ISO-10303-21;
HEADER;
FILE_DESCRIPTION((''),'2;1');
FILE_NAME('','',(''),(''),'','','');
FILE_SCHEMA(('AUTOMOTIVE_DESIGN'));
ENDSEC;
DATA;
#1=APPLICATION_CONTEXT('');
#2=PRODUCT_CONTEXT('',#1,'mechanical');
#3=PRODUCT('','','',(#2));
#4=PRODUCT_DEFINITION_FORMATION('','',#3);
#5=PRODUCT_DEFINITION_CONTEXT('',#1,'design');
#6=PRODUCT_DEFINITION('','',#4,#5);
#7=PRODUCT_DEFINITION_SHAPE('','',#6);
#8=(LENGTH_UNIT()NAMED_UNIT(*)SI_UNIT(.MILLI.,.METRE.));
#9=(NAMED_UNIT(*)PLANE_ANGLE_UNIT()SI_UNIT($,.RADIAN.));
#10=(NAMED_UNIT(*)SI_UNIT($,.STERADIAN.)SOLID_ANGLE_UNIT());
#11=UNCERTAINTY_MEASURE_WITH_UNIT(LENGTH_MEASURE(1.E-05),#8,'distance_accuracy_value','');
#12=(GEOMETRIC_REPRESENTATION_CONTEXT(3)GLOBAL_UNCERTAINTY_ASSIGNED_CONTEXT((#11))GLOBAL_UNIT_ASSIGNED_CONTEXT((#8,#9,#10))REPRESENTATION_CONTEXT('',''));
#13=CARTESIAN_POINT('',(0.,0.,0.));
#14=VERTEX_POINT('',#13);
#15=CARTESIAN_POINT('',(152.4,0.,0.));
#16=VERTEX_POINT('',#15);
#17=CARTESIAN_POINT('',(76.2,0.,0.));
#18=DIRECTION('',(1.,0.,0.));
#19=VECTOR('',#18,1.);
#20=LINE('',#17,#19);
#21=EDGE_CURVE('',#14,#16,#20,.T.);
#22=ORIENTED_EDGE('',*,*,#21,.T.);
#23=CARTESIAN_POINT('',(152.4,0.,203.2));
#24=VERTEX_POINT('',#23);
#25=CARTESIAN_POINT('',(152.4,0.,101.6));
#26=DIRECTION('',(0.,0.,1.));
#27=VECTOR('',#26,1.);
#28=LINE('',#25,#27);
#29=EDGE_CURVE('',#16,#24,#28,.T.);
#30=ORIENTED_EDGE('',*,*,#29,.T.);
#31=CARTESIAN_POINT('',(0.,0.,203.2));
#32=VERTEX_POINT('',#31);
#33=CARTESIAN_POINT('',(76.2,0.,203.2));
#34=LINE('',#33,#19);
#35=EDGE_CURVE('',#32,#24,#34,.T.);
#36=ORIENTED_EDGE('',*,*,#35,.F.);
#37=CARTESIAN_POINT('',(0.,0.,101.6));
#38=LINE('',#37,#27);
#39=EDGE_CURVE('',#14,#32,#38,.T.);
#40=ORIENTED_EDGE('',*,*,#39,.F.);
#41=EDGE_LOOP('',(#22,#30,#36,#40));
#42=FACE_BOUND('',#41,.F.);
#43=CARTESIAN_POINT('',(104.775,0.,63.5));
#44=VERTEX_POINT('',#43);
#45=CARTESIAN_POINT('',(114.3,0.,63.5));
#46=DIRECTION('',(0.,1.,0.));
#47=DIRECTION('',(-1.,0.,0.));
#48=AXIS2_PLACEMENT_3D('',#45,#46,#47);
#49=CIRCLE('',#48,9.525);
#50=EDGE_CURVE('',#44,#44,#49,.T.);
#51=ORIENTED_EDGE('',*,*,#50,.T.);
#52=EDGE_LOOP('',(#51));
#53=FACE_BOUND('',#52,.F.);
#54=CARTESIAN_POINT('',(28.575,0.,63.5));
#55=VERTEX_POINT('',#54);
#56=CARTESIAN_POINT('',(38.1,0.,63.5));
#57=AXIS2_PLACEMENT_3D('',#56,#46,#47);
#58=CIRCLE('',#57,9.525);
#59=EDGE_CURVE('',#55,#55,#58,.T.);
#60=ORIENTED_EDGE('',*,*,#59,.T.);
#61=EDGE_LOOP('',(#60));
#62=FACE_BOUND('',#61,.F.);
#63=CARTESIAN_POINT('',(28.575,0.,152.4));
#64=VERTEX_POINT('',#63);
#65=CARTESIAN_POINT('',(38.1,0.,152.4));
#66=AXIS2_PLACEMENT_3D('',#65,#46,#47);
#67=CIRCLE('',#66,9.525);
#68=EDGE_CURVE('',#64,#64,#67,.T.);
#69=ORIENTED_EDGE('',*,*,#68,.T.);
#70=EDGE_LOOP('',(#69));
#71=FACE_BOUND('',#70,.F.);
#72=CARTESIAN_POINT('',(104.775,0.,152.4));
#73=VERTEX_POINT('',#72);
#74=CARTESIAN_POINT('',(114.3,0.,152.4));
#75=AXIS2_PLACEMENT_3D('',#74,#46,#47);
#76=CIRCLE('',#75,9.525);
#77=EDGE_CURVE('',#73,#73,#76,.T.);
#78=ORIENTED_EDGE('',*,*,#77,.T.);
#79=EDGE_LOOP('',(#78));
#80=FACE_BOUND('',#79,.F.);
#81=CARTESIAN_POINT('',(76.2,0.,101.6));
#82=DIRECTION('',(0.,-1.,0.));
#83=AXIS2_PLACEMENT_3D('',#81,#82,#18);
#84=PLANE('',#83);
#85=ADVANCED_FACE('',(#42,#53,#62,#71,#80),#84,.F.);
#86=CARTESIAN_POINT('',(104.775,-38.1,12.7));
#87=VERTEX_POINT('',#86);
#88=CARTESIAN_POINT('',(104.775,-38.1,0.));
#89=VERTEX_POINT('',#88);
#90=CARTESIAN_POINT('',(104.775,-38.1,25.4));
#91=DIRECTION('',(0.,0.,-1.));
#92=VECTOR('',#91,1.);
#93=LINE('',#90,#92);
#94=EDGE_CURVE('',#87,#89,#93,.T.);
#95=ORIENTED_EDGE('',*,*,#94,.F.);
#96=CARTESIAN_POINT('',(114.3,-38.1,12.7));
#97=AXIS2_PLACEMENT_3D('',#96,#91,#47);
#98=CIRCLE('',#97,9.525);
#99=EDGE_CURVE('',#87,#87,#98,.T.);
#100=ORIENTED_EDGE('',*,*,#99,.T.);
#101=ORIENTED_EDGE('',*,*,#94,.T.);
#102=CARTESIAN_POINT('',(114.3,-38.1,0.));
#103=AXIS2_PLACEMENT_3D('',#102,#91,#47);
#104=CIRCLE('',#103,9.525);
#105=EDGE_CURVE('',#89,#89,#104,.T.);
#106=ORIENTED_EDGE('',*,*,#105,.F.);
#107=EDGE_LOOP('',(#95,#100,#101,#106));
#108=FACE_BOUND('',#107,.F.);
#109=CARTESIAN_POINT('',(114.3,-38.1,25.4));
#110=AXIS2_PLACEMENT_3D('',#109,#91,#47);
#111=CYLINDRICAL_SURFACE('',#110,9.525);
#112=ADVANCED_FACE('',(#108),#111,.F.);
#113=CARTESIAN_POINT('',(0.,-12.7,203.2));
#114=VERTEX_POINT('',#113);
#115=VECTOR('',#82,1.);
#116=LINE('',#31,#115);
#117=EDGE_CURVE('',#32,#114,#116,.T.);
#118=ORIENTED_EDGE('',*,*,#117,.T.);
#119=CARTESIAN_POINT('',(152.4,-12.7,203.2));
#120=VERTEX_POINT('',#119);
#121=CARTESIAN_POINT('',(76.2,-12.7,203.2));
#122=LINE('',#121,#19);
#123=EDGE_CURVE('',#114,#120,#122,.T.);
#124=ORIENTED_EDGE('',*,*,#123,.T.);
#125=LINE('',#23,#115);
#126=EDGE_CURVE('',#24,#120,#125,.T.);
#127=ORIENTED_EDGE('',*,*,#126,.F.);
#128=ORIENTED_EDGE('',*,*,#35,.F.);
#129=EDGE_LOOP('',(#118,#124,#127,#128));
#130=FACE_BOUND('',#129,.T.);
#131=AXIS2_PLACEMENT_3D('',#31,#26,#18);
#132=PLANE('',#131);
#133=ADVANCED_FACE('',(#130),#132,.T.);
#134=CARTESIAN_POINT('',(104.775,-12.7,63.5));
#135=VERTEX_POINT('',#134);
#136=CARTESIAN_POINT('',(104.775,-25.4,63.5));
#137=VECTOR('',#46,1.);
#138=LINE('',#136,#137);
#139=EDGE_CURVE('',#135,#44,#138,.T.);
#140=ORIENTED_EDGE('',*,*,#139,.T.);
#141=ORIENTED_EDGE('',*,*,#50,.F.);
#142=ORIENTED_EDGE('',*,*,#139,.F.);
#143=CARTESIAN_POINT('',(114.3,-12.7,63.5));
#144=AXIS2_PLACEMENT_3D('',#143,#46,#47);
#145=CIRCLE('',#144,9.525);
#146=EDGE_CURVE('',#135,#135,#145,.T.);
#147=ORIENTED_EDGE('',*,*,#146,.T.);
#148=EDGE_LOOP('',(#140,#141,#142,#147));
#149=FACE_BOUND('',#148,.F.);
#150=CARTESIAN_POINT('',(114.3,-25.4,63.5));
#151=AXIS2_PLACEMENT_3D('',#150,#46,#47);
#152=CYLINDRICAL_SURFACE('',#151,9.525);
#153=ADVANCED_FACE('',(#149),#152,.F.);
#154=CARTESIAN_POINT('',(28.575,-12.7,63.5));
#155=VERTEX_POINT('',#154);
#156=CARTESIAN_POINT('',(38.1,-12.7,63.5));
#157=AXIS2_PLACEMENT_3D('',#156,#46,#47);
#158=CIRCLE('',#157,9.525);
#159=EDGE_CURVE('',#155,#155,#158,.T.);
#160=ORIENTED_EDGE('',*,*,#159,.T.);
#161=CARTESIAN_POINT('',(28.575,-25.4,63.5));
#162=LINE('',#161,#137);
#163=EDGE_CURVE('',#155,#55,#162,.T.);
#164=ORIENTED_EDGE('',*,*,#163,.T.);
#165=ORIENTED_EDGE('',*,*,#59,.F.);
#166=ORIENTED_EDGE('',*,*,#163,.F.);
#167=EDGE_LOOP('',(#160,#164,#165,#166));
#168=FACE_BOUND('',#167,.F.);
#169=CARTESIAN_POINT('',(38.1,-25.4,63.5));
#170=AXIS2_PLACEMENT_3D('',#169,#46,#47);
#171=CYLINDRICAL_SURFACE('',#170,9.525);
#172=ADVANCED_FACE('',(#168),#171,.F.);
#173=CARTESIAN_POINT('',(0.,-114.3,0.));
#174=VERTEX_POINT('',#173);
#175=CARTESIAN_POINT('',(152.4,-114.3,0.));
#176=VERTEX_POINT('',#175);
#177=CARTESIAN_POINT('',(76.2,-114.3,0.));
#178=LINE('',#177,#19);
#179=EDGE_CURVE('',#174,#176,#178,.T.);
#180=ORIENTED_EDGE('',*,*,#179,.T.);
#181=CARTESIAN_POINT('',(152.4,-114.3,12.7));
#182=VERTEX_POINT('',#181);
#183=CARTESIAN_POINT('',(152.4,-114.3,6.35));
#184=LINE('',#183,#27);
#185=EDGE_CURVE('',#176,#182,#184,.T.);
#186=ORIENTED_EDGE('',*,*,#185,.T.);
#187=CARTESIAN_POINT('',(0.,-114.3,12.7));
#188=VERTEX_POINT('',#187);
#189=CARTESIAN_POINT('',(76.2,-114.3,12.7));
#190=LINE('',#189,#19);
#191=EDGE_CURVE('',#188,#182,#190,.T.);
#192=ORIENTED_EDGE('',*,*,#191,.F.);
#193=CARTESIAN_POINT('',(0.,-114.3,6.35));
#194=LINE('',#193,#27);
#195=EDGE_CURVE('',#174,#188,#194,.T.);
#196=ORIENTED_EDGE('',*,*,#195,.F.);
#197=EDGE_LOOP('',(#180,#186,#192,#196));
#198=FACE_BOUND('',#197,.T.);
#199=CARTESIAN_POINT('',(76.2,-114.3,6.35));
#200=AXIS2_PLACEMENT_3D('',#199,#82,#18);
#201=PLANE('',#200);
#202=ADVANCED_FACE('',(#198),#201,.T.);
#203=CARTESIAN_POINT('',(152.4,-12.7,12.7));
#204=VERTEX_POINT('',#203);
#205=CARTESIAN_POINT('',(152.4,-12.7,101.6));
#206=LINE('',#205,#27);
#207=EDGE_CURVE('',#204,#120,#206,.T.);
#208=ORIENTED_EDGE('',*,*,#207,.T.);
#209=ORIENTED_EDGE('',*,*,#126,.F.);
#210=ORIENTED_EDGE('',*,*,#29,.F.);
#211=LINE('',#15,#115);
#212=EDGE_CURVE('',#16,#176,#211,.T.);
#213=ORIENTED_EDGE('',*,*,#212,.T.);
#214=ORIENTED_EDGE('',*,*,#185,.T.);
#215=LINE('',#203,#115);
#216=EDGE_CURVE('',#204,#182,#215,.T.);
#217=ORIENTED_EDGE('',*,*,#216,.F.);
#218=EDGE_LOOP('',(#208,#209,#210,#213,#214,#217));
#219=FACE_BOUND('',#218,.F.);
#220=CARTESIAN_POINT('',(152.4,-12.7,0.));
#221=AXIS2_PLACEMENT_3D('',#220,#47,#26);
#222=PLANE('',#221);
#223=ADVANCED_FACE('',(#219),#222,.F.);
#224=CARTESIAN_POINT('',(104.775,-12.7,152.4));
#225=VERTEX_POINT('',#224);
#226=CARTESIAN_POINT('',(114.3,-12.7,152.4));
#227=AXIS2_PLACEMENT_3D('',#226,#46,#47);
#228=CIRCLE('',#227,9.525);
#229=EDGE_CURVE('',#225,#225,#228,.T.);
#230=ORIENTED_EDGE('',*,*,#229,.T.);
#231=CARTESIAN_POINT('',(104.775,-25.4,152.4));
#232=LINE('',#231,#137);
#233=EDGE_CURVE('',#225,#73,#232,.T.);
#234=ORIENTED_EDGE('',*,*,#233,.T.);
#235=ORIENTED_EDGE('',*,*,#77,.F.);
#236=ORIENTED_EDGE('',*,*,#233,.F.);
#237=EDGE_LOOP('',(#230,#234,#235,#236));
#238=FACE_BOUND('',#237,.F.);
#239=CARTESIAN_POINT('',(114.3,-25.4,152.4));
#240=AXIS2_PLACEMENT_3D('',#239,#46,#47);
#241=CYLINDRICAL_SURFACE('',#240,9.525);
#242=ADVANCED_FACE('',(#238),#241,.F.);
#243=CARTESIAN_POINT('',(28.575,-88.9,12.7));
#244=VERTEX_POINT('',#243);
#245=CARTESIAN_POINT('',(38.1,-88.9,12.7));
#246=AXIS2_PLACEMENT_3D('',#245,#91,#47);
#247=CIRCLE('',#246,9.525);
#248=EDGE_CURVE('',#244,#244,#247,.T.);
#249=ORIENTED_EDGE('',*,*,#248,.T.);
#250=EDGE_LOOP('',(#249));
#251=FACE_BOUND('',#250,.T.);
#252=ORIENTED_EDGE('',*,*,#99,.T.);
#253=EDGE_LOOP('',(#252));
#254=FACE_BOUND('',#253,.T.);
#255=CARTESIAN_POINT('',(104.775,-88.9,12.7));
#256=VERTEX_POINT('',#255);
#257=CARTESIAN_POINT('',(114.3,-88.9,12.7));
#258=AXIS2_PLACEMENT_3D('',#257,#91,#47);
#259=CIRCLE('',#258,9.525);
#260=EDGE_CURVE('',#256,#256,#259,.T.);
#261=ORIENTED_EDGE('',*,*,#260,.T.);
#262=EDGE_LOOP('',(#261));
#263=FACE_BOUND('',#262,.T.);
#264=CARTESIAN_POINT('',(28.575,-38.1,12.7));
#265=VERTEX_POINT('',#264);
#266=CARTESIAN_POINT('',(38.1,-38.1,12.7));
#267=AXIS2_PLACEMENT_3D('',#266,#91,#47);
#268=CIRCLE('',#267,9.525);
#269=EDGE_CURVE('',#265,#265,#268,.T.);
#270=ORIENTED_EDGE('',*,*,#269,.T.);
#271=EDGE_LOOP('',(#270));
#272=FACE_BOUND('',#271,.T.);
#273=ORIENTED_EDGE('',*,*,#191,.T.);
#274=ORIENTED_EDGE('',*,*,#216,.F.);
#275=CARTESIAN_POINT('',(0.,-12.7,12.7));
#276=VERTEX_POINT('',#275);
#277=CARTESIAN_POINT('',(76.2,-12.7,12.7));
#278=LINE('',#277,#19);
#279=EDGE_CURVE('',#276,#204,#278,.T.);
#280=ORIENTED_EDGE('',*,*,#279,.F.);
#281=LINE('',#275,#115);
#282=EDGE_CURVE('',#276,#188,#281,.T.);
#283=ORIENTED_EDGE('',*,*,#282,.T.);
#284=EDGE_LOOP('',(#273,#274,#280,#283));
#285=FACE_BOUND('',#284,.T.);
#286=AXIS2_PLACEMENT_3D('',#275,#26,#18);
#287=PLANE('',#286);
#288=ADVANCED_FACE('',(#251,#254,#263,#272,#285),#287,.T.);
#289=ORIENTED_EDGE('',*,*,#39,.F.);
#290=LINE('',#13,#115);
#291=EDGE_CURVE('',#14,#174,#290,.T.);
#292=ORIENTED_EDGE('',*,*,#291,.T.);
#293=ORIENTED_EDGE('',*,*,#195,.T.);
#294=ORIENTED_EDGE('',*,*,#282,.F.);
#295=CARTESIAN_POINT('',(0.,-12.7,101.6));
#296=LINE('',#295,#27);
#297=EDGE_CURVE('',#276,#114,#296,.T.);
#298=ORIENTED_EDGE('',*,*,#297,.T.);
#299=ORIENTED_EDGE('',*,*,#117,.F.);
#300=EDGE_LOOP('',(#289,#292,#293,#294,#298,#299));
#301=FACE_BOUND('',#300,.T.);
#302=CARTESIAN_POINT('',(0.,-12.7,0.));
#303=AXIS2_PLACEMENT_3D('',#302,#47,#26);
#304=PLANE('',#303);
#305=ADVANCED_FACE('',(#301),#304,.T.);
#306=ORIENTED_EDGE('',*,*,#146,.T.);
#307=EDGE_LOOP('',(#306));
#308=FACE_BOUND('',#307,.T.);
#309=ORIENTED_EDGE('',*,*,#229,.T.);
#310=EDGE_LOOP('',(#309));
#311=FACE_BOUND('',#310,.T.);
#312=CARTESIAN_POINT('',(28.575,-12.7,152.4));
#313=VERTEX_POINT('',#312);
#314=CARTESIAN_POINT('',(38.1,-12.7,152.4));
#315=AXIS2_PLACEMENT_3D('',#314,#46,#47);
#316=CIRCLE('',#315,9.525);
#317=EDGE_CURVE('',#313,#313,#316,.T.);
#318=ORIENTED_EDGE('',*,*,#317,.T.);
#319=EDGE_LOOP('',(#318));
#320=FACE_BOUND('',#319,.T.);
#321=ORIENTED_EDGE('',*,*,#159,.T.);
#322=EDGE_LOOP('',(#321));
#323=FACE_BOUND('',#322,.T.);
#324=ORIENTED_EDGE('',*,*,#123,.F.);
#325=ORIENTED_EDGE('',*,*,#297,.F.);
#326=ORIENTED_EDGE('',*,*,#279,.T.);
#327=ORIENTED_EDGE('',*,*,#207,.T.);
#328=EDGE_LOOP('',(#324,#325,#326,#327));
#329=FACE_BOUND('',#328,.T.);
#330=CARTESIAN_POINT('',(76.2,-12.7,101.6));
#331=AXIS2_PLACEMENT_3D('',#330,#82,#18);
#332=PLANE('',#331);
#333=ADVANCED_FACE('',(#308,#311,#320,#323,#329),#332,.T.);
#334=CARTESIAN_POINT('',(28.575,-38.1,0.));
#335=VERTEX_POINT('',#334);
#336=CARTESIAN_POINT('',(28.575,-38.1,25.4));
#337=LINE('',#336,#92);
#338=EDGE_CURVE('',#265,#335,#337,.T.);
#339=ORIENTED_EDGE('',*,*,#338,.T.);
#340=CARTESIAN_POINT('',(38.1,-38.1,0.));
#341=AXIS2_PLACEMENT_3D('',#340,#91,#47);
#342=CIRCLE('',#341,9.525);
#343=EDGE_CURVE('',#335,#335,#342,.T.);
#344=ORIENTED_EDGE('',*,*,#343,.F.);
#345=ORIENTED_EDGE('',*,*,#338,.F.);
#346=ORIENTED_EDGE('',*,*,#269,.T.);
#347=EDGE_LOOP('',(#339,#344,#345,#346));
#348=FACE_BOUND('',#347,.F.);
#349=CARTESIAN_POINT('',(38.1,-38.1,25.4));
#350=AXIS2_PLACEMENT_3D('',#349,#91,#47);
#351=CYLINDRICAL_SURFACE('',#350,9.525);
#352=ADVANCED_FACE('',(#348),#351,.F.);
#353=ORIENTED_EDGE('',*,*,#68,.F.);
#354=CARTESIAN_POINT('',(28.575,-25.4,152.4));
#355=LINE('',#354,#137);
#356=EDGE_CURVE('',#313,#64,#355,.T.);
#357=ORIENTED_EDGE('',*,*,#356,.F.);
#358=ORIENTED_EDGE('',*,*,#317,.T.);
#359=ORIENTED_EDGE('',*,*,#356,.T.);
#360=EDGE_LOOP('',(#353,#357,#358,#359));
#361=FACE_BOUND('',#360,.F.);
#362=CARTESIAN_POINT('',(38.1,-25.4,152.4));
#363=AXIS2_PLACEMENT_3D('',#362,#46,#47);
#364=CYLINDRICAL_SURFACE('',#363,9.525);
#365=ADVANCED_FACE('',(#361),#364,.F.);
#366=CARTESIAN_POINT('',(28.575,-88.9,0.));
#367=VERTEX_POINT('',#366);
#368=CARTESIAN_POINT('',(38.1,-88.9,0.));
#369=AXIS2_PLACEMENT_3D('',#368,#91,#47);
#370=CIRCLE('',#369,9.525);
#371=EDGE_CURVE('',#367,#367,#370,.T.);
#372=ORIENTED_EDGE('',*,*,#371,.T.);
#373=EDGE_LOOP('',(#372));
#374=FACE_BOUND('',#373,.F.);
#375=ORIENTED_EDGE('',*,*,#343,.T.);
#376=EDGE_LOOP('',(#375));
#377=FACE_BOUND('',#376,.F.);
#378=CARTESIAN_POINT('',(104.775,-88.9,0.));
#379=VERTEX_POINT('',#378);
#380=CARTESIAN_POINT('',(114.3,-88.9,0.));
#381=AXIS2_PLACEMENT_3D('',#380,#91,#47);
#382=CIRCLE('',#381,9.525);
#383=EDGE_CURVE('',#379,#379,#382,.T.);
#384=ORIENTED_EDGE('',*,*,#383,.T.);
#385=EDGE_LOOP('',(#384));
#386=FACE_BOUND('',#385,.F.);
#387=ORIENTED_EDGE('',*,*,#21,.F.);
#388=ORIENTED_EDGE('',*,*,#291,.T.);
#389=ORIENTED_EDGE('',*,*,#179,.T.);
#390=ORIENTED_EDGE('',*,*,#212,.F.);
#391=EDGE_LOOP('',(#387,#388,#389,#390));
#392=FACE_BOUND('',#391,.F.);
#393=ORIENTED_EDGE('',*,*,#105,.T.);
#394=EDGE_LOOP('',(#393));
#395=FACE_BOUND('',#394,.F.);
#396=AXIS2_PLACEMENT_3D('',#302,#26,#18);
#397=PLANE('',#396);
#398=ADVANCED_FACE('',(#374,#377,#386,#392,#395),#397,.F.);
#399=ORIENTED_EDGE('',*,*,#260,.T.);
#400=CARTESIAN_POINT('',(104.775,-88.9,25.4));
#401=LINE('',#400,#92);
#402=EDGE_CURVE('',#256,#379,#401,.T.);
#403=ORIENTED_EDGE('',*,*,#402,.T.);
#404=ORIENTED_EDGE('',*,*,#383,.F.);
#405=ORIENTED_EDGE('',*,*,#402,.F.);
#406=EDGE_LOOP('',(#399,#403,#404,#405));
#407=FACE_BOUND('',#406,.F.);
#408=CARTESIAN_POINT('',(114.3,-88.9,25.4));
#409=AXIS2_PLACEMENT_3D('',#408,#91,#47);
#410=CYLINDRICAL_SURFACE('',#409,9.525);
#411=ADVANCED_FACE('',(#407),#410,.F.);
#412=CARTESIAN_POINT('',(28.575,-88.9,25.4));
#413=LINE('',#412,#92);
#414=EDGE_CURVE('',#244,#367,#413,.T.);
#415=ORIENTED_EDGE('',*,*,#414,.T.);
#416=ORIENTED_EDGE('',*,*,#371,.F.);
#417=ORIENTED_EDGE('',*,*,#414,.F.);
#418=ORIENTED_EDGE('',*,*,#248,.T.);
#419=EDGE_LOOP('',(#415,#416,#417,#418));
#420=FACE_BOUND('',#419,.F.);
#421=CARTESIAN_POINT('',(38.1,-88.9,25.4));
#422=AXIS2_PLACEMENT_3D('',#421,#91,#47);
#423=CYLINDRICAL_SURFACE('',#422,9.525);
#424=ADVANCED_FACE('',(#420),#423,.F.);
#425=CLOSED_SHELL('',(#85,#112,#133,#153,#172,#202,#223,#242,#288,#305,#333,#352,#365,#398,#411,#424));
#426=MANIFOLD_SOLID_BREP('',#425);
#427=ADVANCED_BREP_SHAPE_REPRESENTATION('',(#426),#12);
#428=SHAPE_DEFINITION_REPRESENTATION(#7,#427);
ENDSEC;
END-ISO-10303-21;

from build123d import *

# Parameters (mm, degrees)
F0_W     = 152.4
F0_H     = 203.2
F1_DEPTH = 12.7
F2_W     = 152.4
F2_H     = 12.7
F3_DEPTH = 101.6
F5_D     = 19.05
F5_DEPTH = 12.7
F7_D     = 19.05
F7_DEPTH = 12.7
F9_D     = 19.05
F9_DEPTH = 12.7


with BuildPart() as f1:
    # F0 (on Front) → F1 (new body)
    with BuildSketch(Plane.XZ):
        with Locations((76.2, 101.6)):
            Rectangle(F0_W, F0_H)
    extrude(amount=F1_DEPTH)

    # F2 (on face) → F3 (join)
    with BuildSketch(Plane.XZ.offset(12.7)):
        with Locations((76.2, 6.35)):
            Rectangle(F2_W, F2_H)
    extrude(amount=F3_DEPTH)

    # F5
    with Locations(Plane.XY.offset(12.7)):
        with Locations((38.1, -88.9)):
            Hole(F5_D / 2, depth=F5_DEPTH)

    # F7
    with Locations(Plane.XY.offset(12.7)):
        with Locations((38.1, -38.1), (114.3, -38.1), (114.3, -88.9)):
            Hole(F7_D / 2, depth=F7_DEPTH)

    # F9
    with Locations(Plane.XZ.offset(12.7)):
        with Locations((38.1, 152.4), (114.3, 152.4), (114.3, 63.5), (38.1, 63.5)):
            Hole(F9_D / 2, depth=F9_DEPTH)


solid = f1.part
